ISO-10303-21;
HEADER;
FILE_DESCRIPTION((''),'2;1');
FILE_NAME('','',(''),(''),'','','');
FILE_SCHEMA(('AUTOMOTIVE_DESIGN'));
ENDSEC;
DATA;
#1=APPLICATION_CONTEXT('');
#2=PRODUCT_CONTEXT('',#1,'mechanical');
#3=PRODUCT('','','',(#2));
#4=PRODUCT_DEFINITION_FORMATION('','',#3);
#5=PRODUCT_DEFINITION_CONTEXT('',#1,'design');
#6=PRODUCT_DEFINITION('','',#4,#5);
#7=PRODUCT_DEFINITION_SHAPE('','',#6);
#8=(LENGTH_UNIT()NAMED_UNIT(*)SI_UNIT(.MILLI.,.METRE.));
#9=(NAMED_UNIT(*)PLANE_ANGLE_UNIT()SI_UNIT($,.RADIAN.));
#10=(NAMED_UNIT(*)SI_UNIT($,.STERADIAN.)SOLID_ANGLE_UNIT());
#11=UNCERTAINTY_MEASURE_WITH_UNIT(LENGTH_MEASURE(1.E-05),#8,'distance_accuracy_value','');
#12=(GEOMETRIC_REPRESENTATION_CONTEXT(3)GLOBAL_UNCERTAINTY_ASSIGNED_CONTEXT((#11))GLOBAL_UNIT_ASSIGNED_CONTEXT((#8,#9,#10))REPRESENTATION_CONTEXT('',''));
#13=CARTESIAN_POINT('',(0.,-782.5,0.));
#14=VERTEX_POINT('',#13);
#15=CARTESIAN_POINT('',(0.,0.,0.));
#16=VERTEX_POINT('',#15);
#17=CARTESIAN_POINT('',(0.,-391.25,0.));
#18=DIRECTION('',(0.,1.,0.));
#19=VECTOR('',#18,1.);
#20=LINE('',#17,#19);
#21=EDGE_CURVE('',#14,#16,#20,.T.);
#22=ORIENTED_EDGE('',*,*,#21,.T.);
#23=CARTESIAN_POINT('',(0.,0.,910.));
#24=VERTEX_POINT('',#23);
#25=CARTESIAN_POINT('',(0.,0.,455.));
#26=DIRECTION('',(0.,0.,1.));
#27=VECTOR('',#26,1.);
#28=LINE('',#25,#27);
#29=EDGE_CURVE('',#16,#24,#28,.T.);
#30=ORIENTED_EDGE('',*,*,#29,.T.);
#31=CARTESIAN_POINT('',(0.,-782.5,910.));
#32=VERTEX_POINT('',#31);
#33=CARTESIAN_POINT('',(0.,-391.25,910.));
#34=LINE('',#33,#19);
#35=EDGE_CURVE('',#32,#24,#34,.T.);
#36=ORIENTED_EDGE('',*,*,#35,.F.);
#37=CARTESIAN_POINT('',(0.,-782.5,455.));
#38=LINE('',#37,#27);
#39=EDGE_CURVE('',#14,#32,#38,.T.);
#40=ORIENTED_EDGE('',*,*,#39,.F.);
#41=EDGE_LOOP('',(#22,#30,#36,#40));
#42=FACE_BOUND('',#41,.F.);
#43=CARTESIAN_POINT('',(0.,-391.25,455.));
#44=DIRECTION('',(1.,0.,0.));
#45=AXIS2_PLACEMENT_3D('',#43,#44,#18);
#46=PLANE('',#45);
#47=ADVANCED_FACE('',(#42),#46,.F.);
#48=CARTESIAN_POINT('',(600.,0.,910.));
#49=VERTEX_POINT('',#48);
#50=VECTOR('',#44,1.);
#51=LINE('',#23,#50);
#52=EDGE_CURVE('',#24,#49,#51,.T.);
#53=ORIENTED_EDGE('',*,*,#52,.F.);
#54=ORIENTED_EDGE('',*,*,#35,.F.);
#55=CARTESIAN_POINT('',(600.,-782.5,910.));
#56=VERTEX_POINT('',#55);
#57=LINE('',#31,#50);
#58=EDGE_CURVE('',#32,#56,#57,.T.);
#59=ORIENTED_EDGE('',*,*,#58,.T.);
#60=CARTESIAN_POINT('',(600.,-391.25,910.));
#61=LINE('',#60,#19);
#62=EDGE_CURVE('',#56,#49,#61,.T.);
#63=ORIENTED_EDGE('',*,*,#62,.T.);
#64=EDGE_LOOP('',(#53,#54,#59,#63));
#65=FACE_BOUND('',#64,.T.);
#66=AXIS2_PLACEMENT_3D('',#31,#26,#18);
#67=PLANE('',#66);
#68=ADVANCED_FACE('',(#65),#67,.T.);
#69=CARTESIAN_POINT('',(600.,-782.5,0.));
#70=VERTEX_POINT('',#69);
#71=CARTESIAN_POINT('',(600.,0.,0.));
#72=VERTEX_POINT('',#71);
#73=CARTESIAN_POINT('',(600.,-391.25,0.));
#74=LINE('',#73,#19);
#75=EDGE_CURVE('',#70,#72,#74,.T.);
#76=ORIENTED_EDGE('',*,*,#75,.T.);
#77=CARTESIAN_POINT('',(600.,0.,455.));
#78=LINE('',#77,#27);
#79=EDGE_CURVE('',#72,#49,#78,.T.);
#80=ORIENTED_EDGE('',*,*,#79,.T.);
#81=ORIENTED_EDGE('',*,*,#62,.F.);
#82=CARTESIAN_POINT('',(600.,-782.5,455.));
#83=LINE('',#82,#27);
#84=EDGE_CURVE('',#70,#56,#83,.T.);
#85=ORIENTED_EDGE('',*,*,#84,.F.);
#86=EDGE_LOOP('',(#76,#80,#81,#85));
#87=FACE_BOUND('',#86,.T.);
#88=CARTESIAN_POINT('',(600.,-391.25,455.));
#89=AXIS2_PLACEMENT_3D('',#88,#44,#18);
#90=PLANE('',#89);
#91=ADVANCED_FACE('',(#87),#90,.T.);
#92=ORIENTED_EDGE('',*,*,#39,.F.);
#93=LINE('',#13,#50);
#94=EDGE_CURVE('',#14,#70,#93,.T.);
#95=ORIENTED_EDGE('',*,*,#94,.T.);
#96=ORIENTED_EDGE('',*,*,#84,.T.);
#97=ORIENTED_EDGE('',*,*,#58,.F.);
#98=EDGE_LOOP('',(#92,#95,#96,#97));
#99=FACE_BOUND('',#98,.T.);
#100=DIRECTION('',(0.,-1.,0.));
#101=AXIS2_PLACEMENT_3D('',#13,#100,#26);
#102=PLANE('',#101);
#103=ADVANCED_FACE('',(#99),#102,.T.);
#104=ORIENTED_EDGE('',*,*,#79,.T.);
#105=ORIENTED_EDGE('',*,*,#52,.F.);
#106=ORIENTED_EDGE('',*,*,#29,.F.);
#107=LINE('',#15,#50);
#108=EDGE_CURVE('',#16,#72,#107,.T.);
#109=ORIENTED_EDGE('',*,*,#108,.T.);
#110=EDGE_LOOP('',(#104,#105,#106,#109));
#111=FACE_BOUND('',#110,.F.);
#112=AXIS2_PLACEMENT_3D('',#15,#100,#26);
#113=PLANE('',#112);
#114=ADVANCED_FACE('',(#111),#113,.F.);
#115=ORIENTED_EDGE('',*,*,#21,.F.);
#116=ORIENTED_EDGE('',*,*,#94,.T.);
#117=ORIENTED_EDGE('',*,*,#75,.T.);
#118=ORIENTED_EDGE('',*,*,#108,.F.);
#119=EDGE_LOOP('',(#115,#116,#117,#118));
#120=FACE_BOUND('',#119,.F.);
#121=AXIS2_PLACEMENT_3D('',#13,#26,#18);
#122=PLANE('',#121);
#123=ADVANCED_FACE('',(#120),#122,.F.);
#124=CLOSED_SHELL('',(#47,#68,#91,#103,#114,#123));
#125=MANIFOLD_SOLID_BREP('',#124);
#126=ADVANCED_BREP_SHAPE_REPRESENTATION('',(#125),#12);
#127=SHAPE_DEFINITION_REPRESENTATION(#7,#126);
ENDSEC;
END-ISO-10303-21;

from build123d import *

# Parameters (mm, degrees)
SKETCH_W  = 782.5
SKETCH_H  = 910
PAD_DEPTH = 600


with BuildPart() as part:
    # Sketch → Pad (new body)
    with BuildSketch(Plane.YZ):
        with Locations((-391.25, 455)):
            Rectangle(SKETCH_W, SKETCH_H)
    extrude(amount=PAD_DEPTH)


solid = part.part
